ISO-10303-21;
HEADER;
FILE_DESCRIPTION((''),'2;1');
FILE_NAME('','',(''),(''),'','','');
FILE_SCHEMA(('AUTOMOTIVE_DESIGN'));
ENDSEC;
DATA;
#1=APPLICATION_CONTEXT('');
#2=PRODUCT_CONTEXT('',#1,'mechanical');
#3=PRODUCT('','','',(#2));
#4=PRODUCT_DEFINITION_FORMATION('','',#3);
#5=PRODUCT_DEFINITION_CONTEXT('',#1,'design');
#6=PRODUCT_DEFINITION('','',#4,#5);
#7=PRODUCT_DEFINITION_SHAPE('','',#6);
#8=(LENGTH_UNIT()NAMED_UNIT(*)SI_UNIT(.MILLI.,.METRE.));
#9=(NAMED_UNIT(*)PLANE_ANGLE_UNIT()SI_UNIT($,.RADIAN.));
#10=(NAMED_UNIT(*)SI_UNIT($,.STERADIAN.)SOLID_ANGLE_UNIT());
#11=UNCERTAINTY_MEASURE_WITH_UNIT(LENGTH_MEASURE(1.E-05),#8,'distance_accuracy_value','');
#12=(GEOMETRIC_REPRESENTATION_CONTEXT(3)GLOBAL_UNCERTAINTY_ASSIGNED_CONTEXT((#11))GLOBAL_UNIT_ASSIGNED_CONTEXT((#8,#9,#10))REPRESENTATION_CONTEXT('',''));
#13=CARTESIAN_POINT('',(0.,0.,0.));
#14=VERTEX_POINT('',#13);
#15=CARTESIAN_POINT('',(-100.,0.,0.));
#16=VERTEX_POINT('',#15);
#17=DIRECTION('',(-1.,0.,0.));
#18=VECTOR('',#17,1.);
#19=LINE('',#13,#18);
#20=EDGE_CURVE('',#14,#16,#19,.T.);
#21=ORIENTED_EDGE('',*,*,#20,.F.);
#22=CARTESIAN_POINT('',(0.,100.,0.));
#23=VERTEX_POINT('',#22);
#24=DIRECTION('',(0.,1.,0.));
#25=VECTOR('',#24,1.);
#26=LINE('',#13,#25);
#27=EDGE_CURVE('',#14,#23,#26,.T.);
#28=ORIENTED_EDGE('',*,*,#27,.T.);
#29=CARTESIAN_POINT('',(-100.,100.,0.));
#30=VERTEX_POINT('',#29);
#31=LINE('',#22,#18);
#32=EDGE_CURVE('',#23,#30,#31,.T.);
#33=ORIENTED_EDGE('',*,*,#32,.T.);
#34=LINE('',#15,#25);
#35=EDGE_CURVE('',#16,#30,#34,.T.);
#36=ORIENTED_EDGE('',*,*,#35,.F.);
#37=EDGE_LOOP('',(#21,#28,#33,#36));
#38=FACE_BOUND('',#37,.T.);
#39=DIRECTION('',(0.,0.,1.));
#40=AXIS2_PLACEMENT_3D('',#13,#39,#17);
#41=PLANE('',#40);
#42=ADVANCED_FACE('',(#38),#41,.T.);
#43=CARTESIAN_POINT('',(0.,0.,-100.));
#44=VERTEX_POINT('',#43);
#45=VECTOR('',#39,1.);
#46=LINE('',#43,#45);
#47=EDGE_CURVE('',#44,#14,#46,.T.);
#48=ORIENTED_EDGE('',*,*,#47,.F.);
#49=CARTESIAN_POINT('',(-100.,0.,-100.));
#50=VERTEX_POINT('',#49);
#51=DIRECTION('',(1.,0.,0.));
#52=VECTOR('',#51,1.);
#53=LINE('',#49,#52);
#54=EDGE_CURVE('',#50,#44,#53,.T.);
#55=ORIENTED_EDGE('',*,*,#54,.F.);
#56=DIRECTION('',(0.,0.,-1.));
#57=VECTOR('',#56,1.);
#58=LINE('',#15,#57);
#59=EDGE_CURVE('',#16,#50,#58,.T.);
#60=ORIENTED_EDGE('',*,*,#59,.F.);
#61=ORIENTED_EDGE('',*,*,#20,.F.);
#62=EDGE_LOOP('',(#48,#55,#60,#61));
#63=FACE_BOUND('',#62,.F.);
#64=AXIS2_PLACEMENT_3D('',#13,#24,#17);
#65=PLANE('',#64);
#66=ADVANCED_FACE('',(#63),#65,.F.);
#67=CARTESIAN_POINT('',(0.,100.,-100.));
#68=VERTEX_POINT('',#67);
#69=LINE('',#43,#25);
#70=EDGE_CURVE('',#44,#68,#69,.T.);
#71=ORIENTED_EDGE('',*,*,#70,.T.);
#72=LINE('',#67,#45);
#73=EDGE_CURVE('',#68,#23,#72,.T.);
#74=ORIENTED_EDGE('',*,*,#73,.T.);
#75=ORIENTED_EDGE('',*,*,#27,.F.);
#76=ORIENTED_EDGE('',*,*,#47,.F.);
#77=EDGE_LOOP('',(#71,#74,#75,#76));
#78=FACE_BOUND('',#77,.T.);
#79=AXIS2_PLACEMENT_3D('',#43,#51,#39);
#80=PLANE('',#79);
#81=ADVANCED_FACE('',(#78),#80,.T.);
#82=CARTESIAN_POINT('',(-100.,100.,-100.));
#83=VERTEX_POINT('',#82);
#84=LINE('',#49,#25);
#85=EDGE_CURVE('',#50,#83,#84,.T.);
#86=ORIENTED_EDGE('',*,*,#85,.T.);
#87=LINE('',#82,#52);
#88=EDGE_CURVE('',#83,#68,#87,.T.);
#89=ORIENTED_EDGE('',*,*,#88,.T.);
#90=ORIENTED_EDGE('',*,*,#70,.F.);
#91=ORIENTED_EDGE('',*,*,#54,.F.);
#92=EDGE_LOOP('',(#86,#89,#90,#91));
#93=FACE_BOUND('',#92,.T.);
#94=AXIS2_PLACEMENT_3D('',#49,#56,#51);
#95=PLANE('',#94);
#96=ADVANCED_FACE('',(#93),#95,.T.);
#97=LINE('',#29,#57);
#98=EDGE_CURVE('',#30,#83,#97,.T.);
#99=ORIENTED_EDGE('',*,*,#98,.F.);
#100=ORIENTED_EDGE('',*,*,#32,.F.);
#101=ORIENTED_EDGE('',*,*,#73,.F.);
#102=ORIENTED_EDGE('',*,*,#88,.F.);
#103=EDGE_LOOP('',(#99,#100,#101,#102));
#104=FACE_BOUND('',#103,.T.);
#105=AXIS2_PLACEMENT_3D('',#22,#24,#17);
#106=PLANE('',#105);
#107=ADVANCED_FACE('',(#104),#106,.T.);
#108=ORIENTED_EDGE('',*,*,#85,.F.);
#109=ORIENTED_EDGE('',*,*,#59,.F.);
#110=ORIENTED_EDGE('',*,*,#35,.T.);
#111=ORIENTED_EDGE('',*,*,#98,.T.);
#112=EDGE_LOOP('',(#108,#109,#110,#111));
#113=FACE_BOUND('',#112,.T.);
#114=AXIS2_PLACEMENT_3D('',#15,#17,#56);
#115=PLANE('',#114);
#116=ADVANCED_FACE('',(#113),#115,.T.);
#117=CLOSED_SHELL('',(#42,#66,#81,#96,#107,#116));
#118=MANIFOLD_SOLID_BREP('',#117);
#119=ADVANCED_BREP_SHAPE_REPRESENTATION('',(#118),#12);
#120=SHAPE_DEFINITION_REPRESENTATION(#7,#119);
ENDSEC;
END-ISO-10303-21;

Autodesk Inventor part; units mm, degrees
ref_plane "YZ Plane" through (0, 0, 0) normal (1, 0, 0) x (0, 1, 0)
ref_plane "XZ Plane" through (0, 0, 0) normal (0, 1, 0) x (-1, 0, 0)
ref_plane "XY Plane" through (0, 0, 0) normal (0, 0, 1) x (1, 0, 0)
sketch "Sketch1" plane through (0, 0, 0) normal (0, 1, 0) x (-1, 0, 0)
  line L0 (0, 0) -> (100, 0)
  line L1 (100, 0) -> (100, -100)
  line L2 (100, -100) -> (0, -100)
  line L3 (0, -100) -> (0, 0)
  dimension "d0" = 100
  dimension "d1" = 100
extrude "Extrusion1" add sketch "Sketch1" along normal blind 100
properties part number "Hermes Cube"
